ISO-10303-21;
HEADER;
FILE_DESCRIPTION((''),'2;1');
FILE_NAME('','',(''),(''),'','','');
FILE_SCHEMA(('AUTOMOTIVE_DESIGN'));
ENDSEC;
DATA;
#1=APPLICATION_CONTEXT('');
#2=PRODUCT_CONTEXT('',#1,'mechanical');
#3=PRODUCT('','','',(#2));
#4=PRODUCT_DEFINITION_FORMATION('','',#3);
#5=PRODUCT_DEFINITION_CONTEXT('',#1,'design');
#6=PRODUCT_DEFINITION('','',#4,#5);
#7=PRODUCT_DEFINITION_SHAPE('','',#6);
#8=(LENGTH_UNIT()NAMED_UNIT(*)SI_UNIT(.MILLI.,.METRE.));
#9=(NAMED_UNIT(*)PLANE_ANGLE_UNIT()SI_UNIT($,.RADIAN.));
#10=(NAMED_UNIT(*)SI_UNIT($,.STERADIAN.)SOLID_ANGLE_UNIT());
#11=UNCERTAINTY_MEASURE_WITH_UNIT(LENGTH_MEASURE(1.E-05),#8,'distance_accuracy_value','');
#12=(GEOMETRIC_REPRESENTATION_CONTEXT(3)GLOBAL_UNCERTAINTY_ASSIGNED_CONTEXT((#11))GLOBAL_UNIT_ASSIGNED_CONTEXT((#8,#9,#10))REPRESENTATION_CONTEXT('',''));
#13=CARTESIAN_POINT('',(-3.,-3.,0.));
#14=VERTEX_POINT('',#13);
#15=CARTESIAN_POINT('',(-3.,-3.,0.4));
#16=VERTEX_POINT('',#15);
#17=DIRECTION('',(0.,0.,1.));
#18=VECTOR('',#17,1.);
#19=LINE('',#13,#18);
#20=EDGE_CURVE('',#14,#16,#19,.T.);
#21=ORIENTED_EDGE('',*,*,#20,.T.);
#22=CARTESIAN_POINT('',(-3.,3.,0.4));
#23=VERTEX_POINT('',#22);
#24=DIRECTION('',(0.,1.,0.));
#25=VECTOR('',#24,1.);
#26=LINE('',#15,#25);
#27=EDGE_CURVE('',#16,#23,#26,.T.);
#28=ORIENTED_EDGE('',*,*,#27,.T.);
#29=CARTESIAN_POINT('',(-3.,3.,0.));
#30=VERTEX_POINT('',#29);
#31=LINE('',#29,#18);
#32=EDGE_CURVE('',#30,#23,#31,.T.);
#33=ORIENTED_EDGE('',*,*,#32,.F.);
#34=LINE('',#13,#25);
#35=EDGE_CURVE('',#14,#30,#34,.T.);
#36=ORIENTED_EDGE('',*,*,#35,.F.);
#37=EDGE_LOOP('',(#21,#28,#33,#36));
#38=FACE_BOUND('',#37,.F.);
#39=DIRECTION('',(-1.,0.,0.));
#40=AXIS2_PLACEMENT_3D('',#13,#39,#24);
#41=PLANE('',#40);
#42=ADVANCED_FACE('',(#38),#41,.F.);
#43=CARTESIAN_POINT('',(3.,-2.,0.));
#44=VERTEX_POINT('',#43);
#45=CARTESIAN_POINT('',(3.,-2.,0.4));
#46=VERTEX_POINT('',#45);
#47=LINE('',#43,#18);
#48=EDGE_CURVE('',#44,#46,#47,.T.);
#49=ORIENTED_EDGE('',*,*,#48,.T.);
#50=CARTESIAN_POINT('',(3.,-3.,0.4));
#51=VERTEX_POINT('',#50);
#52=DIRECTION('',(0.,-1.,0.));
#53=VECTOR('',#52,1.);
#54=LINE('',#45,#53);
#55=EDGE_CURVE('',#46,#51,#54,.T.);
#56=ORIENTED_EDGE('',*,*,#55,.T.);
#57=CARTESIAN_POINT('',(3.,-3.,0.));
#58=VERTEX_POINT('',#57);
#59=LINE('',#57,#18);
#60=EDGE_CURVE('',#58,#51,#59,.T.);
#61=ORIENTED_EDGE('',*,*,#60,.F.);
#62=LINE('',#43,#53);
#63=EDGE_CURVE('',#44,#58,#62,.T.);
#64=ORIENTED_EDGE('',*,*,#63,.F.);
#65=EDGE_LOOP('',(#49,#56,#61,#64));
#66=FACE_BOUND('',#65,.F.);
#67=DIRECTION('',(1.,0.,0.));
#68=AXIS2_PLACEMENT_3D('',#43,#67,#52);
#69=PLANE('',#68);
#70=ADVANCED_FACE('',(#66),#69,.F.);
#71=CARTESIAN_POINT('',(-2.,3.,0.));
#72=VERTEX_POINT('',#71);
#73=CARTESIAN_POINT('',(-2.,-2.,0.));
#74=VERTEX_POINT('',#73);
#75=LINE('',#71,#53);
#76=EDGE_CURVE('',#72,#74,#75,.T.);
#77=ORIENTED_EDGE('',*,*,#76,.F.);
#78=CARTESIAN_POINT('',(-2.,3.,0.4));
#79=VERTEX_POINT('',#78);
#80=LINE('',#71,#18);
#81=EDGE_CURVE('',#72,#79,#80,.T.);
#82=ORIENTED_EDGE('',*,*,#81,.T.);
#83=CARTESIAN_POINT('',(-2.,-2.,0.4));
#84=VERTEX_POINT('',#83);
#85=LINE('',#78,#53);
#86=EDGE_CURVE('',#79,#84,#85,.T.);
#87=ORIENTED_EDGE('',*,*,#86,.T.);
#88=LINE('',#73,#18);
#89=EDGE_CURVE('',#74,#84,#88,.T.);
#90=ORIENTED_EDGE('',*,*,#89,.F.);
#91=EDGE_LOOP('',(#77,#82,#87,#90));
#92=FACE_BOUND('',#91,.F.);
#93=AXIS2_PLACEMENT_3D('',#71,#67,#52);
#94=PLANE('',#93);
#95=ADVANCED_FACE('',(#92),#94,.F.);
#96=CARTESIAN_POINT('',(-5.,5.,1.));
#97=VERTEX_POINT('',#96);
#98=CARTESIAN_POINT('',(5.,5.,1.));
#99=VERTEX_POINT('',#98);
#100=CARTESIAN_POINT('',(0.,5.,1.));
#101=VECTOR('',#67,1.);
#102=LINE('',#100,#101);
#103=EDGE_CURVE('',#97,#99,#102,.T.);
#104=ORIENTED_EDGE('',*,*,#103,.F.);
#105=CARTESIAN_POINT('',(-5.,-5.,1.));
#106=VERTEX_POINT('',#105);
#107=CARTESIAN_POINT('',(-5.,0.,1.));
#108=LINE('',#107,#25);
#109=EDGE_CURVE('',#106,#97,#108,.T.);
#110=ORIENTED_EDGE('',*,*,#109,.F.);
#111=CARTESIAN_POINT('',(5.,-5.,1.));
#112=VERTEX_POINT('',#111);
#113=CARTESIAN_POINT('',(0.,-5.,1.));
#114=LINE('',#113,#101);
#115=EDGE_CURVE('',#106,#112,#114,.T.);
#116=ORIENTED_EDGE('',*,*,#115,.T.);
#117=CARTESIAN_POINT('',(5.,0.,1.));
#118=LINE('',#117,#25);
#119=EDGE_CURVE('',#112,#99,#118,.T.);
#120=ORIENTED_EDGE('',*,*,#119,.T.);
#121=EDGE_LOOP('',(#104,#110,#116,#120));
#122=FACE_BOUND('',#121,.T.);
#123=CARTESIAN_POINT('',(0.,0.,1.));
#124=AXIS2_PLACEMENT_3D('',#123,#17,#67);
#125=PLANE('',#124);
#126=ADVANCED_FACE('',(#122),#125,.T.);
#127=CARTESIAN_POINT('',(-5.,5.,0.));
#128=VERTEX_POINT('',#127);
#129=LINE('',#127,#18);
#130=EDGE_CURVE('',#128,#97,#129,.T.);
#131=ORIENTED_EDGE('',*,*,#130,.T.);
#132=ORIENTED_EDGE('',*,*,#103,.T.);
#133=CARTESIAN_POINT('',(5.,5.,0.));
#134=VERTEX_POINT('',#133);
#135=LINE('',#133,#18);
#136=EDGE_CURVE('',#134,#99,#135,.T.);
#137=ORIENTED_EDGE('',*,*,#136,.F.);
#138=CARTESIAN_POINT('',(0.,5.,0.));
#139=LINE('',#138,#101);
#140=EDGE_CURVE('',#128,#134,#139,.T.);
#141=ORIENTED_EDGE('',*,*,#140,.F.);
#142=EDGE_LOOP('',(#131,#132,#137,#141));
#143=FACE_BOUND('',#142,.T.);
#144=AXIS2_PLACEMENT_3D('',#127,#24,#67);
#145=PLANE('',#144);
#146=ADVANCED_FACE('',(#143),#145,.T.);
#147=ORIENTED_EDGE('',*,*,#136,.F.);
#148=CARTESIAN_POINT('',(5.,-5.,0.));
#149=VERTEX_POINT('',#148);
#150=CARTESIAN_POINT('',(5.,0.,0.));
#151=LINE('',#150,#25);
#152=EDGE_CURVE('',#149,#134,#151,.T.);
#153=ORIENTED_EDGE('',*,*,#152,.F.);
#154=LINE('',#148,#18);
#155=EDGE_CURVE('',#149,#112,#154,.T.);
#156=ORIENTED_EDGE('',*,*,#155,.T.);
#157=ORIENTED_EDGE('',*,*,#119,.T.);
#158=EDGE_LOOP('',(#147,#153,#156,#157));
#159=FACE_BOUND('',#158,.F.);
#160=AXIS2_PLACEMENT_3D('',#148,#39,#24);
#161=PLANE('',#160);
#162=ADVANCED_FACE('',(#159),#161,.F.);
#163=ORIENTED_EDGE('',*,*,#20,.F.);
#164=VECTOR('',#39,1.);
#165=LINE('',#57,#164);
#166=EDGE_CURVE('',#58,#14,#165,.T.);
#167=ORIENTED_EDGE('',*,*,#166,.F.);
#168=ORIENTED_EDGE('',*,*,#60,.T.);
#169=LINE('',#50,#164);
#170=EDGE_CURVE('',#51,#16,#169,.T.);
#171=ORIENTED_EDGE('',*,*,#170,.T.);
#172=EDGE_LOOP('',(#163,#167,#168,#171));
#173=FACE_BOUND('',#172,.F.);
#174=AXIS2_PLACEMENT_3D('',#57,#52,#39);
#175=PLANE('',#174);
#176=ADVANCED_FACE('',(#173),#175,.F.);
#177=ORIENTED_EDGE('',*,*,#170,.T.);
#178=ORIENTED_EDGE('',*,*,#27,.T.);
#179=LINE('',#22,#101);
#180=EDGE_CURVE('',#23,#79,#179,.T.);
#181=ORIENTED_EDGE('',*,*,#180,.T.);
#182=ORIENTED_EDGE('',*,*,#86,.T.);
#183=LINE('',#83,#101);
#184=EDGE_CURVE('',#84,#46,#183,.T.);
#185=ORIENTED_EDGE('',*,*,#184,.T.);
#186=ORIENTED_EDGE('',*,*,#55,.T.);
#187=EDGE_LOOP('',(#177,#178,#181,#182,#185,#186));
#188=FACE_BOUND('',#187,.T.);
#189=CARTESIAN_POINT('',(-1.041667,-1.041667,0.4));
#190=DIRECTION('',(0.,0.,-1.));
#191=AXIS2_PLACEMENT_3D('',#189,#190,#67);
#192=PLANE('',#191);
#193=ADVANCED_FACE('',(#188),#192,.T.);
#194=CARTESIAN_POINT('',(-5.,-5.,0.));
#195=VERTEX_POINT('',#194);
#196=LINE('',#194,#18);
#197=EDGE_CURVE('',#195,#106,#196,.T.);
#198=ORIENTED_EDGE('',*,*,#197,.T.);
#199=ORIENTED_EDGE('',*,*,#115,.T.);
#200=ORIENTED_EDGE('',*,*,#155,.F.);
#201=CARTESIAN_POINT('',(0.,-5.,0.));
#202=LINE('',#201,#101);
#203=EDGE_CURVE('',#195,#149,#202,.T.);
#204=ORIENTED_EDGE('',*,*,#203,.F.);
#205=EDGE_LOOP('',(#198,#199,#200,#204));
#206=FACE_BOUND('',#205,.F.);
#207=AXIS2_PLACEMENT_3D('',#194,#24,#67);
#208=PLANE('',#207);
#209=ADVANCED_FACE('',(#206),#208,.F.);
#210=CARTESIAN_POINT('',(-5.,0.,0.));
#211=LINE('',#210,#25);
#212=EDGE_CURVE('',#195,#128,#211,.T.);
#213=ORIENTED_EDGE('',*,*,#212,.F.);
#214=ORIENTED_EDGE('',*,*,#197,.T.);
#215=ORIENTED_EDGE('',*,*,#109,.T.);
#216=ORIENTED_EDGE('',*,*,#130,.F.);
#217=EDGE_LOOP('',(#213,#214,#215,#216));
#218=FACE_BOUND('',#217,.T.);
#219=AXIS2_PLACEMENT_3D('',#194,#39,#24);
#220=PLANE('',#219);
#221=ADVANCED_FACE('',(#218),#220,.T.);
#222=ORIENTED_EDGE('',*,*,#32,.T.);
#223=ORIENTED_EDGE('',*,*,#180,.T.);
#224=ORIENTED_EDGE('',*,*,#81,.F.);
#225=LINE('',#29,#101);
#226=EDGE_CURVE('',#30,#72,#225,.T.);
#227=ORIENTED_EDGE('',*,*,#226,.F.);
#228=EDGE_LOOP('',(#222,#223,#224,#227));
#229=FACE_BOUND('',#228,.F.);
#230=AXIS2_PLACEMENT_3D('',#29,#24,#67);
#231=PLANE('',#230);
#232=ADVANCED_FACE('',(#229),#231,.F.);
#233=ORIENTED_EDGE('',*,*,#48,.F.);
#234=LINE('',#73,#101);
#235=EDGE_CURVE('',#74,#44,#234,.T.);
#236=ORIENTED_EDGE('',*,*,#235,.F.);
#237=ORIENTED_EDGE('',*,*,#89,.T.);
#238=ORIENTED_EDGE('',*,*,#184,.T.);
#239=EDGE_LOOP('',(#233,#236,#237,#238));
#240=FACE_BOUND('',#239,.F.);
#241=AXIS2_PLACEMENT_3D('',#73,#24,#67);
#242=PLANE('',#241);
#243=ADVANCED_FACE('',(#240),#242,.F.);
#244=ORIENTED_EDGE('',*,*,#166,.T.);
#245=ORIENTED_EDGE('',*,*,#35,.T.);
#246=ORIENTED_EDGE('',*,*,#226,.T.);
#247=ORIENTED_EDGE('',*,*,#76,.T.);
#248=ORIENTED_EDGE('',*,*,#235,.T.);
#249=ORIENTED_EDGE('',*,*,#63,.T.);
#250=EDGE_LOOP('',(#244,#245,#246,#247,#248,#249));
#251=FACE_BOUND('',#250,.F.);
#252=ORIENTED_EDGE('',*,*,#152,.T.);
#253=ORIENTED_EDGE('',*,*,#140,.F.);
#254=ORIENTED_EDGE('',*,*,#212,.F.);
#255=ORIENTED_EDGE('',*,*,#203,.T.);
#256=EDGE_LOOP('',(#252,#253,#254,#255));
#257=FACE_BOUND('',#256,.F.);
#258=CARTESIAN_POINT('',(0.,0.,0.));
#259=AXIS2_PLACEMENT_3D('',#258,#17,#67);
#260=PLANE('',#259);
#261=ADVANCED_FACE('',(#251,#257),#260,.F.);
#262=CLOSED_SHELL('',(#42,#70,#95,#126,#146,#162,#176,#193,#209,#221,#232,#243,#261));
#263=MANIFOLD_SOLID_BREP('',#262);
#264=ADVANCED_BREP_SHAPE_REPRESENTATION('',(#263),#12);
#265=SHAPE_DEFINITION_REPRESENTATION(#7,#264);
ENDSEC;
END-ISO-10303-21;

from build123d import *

# Parameters (mm, degrees)
F0_W     = 10
F0_H     = 10
F1_DEPTH = 1
F3_DEPTH = 0.4


with BuildPart() as f1:
    # F0 (on Top) → F1 (new body)
    with BuildSketch(Plane.XY):
        Rectangle(F0_W, F0_H)
    extrude(amount=F1_DEPTH)

    # F2 (on face) → F3 (cut)
    with BuildSketch(Plane(origin=(0, 0, 0), x_dir=(1, 0, 0), z_dir=(0, 0, -1))):
        Polygon((3, 2), (3, 3), (-3, 3), (-3, -3), (-2, -3), (-2, 2), align=None)
    extrude(amount=-F3_DEPTH, mode=Mode.SUBTRACT)


solid = f1.part
